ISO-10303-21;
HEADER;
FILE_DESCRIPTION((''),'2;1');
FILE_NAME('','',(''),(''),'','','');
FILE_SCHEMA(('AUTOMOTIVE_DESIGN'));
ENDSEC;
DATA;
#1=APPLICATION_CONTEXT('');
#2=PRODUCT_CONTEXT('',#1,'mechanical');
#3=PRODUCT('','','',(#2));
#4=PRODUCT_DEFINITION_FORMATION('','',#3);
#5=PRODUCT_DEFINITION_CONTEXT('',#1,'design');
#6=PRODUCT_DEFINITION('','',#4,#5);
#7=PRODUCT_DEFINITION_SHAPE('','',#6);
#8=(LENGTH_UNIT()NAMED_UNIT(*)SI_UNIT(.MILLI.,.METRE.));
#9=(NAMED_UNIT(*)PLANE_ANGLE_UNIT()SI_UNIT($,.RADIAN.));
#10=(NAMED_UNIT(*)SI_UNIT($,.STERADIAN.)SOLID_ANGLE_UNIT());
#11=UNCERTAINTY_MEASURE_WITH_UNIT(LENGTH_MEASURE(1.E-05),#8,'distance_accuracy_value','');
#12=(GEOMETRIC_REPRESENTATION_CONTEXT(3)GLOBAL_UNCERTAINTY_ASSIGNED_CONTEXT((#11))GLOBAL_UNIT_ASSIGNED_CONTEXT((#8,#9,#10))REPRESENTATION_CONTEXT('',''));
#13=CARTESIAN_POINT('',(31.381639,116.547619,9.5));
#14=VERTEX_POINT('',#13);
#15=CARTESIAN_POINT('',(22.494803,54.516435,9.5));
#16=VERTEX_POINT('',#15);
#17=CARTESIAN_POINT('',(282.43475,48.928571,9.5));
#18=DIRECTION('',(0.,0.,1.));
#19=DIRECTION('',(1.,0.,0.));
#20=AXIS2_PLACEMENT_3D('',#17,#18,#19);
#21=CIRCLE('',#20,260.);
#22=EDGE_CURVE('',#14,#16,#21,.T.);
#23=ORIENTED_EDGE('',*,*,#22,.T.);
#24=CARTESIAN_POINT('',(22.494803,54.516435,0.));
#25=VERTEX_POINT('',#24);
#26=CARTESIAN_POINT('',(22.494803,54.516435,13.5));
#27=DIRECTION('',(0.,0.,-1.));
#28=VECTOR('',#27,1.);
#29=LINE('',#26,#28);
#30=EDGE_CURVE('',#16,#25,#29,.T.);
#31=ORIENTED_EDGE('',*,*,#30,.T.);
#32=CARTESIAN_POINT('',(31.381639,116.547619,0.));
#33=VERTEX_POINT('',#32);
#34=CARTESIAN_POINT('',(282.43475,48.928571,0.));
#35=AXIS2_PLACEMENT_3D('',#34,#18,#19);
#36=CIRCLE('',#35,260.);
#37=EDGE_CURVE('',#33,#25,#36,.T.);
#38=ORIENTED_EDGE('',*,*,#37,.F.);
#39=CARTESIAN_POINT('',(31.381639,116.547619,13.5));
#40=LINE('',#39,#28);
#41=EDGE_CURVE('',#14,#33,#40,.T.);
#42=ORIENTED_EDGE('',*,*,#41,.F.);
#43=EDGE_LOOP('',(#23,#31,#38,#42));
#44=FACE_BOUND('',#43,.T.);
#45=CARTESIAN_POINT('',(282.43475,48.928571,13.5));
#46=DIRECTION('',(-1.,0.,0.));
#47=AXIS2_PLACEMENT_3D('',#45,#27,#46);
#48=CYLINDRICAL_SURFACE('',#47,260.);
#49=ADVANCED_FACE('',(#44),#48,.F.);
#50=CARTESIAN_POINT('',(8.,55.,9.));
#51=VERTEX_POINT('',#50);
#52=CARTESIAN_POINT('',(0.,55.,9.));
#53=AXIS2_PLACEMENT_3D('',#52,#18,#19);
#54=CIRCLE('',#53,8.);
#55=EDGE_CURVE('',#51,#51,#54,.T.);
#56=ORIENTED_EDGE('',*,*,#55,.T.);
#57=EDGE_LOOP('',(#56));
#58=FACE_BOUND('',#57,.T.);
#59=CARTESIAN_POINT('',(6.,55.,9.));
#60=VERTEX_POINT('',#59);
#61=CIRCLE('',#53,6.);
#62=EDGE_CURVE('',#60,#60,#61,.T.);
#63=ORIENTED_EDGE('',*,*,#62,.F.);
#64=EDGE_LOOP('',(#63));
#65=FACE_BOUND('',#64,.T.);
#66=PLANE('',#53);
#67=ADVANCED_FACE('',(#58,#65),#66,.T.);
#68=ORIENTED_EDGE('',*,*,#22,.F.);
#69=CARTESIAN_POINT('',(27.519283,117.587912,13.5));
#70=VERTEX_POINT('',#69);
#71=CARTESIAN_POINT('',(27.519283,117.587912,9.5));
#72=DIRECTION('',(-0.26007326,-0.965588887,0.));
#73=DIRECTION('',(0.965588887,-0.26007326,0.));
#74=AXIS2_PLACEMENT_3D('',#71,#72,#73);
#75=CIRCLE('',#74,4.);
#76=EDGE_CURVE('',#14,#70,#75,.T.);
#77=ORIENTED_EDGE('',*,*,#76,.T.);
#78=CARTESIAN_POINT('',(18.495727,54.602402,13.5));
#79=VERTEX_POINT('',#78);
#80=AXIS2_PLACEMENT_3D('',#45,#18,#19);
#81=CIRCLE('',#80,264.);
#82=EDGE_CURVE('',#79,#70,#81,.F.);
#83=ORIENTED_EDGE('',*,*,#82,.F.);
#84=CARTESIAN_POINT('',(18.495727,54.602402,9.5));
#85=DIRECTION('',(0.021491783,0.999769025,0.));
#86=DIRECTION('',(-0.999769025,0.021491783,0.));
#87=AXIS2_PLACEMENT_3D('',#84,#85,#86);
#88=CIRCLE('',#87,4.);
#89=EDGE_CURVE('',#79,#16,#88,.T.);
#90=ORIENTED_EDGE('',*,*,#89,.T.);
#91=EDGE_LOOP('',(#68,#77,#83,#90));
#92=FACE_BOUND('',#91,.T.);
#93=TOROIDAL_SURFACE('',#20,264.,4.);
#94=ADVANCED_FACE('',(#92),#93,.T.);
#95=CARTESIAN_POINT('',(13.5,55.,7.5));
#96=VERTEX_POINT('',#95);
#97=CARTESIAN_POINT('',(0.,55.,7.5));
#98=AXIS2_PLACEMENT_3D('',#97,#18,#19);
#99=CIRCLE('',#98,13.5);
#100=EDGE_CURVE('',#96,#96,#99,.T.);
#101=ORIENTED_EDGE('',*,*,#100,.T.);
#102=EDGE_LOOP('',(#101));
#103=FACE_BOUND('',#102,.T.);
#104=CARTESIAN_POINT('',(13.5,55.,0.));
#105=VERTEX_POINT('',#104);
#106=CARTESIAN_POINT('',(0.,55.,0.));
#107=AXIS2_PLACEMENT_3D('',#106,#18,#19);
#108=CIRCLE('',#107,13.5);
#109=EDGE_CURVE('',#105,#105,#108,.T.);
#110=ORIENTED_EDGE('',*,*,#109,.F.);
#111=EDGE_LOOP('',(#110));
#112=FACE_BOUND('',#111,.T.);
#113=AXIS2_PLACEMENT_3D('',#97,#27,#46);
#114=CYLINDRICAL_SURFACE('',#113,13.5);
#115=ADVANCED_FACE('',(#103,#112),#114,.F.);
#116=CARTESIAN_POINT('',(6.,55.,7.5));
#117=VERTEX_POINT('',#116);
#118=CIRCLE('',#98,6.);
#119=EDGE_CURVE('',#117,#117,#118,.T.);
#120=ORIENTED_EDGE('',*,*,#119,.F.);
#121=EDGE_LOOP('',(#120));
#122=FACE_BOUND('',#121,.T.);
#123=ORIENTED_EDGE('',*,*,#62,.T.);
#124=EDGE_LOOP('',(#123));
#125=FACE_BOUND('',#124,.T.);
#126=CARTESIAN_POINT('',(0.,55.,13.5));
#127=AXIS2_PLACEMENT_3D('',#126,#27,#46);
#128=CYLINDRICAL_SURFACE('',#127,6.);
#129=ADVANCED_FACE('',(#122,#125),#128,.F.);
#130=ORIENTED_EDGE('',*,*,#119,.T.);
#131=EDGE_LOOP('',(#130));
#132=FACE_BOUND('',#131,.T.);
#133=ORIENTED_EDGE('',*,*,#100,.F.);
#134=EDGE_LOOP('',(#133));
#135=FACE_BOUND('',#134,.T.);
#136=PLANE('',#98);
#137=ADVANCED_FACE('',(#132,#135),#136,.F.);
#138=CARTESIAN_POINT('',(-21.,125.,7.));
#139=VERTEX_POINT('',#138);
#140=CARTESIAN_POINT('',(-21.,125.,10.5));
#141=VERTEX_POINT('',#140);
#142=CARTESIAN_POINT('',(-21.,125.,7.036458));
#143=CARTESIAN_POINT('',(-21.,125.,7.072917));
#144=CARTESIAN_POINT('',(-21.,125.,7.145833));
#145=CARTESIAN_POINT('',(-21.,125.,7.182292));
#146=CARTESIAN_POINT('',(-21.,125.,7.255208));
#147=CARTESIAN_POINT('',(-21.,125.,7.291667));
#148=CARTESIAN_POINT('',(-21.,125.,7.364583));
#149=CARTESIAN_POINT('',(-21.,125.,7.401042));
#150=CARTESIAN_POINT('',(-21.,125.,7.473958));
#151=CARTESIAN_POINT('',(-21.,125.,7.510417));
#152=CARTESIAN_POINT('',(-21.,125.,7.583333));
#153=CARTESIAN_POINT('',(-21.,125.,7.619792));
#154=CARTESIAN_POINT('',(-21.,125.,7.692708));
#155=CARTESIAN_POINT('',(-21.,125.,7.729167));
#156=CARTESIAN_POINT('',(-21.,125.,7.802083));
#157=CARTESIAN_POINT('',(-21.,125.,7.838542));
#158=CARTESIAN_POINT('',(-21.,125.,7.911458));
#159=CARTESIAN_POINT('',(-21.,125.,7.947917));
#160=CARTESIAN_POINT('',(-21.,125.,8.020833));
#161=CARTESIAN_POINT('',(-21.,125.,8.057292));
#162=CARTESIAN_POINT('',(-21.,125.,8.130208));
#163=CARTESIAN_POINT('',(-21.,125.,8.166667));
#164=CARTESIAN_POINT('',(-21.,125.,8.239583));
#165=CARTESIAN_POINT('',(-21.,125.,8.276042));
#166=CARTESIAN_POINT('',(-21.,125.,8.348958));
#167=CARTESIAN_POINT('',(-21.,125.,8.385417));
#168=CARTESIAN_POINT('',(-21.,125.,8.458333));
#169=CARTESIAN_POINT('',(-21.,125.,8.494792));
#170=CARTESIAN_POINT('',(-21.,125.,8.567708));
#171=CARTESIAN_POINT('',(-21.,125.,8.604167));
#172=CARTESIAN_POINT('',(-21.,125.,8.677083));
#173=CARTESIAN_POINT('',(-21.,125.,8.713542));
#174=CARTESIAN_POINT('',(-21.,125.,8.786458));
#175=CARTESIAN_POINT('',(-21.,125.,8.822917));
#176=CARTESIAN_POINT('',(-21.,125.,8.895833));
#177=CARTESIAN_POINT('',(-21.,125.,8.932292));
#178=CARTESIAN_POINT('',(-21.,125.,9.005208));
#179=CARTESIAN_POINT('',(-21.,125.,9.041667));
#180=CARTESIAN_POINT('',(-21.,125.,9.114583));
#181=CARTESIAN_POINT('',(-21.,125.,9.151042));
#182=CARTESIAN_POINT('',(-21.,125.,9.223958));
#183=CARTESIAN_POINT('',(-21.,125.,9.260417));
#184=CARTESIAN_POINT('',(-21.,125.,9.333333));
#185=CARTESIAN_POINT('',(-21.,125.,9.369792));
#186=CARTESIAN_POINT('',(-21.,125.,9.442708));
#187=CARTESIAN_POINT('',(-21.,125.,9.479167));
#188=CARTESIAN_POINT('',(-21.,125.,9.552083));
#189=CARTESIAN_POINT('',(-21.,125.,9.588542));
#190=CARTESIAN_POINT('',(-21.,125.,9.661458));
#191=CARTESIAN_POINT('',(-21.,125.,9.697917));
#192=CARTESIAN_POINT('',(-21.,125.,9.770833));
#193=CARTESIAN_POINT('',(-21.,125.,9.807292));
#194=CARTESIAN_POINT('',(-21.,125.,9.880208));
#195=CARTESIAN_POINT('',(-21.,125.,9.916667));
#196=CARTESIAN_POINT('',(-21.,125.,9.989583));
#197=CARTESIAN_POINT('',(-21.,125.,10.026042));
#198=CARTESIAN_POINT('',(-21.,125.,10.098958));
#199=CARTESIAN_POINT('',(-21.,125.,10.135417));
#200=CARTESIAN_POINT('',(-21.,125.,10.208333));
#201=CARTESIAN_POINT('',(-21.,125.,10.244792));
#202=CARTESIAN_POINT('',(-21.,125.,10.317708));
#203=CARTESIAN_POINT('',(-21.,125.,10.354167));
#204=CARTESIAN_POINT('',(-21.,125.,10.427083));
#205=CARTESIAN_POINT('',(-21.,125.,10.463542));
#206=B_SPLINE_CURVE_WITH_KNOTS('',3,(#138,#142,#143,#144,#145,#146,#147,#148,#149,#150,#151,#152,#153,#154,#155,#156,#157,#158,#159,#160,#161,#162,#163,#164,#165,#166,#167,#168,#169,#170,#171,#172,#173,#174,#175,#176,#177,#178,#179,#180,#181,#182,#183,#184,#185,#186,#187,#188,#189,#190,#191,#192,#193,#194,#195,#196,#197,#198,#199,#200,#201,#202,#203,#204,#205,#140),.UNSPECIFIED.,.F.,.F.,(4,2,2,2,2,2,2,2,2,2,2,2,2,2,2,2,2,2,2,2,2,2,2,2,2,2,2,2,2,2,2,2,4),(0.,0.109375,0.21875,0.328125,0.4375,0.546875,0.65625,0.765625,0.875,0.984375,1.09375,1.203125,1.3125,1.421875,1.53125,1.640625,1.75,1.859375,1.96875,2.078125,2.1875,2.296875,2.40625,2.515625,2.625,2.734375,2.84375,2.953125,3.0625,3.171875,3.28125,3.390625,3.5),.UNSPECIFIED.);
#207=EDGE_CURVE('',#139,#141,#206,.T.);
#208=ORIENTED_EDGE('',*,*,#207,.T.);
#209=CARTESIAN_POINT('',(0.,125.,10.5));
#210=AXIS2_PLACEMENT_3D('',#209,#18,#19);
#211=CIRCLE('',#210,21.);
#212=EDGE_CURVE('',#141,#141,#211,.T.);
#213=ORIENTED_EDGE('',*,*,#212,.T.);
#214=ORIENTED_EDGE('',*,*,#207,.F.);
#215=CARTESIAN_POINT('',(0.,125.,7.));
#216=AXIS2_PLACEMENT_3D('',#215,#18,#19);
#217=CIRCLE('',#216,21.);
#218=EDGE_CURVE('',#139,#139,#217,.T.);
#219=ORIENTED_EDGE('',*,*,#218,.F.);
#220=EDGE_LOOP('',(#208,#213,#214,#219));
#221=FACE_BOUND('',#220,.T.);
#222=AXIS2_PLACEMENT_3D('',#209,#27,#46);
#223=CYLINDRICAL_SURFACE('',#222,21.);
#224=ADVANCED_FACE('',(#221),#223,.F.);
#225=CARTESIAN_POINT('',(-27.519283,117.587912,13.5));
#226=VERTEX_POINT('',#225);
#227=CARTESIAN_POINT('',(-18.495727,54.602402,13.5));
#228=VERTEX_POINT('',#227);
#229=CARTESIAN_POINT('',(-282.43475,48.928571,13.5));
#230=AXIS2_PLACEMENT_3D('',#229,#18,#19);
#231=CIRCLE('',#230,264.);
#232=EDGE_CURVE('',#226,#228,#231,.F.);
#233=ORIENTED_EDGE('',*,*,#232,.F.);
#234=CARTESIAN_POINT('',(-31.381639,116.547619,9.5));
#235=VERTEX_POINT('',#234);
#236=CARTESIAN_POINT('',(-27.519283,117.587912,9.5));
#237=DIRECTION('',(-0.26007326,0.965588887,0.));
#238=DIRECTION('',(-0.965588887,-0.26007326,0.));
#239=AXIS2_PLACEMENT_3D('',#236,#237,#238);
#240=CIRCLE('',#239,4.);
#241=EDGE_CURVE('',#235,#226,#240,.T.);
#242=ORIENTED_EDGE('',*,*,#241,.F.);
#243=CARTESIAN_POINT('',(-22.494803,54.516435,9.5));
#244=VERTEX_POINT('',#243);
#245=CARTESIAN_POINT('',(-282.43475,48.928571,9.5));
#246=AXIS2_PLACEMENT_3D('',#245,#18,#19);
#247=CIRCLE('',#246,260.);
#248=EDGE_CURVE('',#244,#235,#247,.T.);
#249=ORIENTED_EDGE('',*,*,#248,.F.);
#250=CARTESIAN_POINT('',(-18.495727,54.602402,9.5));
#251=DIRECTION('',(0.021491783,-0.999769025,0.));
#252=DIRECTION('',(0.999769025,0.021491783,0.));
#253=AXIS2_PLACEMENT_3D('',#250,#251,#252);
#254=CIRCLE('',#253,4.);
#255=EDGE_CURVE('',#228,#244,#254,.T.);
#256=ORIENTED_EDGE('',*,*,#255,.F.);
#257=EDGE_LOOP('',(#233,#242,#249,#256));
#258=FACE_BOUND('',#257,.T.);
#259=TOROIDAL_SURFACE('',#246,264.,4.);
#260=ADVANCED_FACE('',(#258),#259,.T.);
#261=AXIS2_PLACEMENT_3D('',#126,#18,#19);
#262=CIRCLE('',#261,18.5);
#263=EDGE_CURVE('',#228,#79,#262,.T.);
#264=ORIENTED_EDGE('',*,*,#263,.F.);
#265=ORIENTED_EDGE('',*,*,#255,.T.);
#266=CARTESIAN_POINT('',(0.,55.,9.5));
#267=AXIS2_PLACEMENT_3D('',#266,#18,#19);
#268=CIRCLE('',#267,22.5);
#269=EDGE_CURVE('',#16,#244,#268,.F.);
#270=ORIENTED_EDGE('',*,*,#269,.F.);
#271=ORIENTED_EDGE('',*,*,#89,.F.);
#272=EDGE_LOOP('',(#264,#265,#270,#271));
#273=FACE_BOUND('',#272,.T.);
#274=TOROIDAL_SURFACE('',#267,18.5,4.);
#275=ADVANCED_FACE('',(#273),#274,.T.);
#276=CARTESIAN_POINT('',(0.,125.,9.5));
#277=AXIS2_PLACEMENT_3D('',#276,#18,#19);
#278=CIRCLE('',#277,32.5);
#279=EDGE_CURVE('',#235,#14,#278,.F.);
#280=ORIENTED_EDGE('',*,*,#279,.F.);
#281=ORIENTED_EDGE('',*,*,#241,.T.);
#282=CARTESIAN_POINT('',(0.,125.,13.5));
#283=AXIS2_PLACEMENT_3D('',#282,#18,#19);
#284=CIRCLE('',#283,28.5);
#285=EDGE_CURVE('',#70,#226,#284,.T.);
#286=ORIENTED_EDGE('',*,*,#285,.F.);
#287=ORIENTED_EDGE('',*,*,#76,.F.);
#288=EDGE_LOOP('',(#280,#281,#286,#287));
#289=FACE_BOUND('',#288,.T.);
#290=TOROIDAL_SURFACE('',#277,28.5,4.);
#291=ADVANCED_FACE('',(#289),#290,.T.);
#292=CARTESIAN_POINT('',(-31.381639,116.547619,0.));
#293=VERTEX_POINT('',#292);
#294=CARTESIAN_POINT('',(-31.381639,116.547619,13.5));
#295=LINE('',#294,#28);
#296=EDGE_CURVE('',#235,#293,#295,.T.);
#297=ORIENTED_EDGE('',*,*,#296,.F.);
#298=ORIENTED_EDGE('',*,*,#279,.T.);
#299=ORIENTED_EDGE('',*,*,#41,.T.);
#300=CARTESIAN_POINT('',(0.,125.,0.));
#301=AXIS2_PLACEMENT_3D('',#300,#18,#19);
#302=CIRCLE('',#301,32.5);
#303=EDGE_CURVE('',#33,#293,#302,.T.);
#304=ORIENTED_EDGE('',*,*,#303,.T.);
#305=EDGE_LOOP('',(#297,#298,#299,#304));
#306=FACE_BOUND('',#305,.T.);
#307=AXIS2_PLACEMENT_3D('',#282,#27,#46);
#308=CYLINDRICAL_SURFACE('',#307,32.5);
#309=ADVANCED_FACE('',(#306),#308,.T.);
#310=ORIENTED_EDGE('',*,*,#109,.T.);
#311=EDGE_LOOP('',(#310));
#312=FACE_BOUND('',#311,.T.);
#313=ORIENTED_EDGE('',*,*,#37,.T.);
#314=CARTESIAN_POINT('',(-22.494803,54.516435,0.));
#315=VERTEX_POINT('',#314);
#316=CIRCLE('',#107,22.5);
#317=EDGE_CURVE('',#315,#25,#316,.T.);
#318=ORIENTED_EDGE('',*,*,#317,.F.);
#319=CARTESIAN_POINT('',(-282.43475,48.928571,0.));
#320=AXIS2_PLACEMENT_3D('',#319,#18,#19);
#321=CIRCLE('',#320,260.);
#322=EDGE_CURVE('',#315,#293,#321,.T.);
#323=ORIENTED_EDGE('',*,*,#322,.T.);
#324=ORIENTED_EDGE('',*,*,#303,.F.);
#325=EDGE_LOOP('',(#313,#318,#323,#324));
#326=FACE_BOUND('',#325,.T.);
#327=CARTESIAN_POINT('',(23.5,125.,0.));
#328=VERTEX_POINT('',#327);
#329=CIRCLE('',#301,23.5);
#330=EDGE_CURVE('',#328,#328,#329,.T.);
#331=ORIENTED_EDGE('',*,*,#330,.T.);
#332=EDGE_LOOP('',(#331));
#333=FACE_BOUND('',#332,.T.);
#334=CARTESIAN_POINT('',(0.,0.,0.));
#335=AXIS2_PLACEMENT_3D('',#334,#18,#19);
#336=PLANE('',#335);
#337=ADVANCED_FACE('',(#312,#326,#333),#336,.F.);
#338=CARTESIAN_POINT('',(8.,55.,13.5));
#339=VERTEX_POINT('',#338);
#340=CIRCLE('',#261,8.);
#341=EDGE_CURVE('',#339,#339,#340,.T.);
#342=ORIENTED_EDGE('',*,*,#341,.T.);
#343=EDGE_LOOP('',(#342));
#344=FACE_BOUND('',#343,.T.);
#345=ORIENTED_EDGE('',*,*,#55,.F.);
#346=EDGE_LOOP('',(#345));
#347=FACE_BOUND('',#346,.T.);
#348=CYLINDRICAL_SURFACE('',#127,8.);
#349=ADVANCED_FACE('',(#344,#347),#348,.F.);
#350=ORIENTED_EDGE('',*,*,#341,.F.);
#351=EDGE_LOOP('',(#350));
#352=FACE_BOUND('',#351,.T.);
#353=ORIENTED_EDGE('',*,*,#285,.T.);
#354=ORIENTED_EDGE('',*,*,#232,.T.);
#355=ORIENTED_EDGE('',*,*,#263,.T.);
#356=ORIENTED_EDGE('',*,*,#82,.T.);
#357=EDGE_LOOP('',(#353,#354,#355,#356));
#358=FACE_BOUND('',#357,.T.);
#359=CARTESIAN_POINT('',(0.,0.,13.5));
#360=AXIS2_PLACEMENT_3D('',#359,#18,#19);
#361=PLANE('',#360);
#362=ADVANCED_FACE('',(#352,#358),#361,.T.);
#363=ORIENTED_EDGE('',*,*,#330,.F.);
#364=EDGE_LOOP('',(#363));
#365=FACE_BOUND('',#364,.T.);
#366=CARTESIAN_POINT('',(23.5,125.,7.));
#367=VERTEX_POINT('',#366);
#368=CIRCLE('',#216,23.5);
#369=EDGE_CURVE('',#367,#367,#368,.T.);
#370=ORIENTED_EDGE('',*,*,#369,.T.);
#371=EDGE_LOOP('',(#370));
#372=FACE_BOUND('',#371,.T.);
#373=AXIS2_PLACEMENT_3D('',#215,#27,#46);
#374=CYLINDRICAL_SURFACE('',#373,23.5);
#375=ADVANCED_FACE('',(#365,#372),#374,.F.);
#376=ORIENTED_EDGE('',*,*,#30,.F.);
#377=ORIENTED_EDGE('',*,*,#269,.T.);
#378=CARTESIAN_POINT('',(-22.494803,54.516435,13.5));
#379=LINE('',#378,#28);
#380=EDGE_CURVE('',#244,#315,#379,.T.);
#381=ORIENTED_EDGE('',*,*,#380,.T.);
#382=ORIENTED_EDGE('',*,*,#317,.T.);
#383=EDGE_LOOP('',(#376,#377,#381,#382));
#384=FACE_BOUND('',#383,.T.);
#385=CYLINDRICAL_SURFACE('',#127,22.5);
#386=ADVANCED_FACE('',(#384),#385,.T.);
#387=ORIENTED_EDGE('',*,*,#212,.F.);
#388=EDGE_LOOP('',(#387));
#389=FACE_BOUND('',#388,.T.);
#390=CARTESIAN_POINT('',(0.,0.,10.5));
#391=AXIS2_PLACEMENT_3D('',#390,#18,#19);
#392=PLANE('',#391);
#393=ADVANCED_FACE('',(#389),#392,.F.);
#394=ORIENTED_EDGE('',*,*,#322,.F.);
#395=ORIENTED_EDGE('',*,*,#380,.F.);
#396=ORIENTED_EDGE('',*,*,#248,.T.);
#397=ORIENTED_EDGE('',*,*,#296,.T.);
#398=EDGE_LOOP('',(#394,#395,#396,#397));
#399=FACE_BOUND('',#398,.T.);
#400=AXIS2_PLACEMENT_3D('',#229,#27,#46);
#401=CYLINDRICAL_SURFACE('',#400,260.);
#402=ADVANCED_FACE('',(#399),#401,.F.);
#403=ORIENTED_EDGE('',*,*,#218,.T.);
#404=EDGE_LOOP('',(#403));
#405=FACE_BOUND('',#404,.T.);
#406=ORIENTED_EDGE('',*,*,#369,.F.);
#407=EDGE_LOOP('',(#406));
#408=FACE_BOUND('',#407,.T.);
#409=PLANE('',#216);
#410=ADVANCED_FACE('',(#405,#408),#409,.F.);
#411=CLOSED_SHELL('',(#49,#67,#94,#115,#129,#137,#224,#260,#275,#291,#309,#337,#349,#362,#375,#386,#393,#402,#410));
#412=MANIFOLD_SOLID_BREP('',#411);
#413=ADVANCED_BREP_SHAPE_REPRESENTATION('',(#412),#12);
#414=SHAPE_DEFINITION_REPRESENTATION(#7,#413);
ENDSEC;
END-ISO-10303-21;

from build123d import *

# Parameters (mm, degrees)
EXTRUDE_2_DEPTH     = 13.5
SKETCH_3_R          = 6
CUT_EXTRUDE_1_DEPTH = 162.383859168
CUT_EXTRUDE_START   = 9
SKETCH_3_3_R        = 8
CUT_EXTRUDE_2_DEPTH = 153.383859168
SKETCH_3_4_R        = 13.5
CUT_EXTRUDE_3_DEPTH = 7.5
FILLET_1_R          = 4
SKETCH_3_5_R        = 21
CUT_EXTRUDE_5_DEPTH = 10.5
SKETCH_3_6_R        = 23.5
CUT_EXTRUDE_7_DEPTH = 7


with BuildPart() as part:
    # Эскиз2 → Бобышка-Вытянуть2 (new body)
    with BuildSketch(Plane.XY):
        with BuildLine():
            ThreePointArc((-31.381638839, 116.547619048), (-25.062561701, 85.800741423), (-22.494803062, 54.516434893))
            ThreePointArc((-22.494803062, 54.516434893), (0, 32.5), (22.494803062, 54.516434893))
            ThreePointArc((22.494803062, 54.516434893), (25.062561701, 85.800741423), (31.381638839, 116.547619048))
            ThreePointArc((31.381638839, 116.547619048), (0, 157.5), (-31.381638839, 116.547619048))
        make_face()
    extrude(amount=EXTRUDE_2_DEPTH)

    # Эскиз3 → Вырез-Вытянуть1 (cut, through all)
    with BuildSketch(Plane.XY):
        with Locations((0, 55)):
            Circle(SKETCH_3_R)
    extrude(amount=CUT_EXTRUDE_1_DEPTH, mode=Mode.SUBTRACT)

    # Эскиз3<3> → Вырез-Вытянуть2 (cut, through all)
    with BuildSketch(Plane.XY.offset(CUT_EXTRUDE_START)):
        with Locations((0, 55)):
            Circle(SKETCH_3_3_R)
    extrude(amount=CUT_EXTRUDE_2_DEPTH, mode=Mode.SUBTRACT)

    # Эскиз3<4> → Вырез-Вытянуть3 (cut)
    with BuildSketch(Plane.XY):
        with Locations((0, 55)):
            Circle(SKETCH_3_4_R)
    extrude(amount=CUT_EXTRUDE_3_DEPTH, mode=Mode.SUBTRACT)

    # Скругление1
    fillet_1_edges = [part.edges().sort_by_distance(p)[0] for p in [
        (25.062561701, 85.800741423, 13.5),
        (0, 157.5, 13.5),
        (-25.062561701, 85.800741423, 13.5),
        (0, 32.5, 13.5),
    ]]
    fillet(fillet_1_edges, radius=FILLET_1_R)

    # Эскиз3<5> → Вырез-Вытянуть5 (cut)
    with BuildSketch(Plane.XY):
        with Locations(Location((0, 125, 0), (0, 0, 180))):
            Circle(SKETCH_3_5_R)
    extrude(amount=CUT_EXTRUDE_5_DEPTH, mode=Mode.SUBTRACT)

    # Эскиз3<6> → Вырез-Вытянуть7 (cut)
    with BuildSketch(Plane.XY):
        with Locations((0, 125)):
            Circle(SKETCH_3_6_R)
    extrude(amount=CUT_EXTRUDE_7_DEPTH, mode=Mode.SUBTRACT)


solid = part.part
